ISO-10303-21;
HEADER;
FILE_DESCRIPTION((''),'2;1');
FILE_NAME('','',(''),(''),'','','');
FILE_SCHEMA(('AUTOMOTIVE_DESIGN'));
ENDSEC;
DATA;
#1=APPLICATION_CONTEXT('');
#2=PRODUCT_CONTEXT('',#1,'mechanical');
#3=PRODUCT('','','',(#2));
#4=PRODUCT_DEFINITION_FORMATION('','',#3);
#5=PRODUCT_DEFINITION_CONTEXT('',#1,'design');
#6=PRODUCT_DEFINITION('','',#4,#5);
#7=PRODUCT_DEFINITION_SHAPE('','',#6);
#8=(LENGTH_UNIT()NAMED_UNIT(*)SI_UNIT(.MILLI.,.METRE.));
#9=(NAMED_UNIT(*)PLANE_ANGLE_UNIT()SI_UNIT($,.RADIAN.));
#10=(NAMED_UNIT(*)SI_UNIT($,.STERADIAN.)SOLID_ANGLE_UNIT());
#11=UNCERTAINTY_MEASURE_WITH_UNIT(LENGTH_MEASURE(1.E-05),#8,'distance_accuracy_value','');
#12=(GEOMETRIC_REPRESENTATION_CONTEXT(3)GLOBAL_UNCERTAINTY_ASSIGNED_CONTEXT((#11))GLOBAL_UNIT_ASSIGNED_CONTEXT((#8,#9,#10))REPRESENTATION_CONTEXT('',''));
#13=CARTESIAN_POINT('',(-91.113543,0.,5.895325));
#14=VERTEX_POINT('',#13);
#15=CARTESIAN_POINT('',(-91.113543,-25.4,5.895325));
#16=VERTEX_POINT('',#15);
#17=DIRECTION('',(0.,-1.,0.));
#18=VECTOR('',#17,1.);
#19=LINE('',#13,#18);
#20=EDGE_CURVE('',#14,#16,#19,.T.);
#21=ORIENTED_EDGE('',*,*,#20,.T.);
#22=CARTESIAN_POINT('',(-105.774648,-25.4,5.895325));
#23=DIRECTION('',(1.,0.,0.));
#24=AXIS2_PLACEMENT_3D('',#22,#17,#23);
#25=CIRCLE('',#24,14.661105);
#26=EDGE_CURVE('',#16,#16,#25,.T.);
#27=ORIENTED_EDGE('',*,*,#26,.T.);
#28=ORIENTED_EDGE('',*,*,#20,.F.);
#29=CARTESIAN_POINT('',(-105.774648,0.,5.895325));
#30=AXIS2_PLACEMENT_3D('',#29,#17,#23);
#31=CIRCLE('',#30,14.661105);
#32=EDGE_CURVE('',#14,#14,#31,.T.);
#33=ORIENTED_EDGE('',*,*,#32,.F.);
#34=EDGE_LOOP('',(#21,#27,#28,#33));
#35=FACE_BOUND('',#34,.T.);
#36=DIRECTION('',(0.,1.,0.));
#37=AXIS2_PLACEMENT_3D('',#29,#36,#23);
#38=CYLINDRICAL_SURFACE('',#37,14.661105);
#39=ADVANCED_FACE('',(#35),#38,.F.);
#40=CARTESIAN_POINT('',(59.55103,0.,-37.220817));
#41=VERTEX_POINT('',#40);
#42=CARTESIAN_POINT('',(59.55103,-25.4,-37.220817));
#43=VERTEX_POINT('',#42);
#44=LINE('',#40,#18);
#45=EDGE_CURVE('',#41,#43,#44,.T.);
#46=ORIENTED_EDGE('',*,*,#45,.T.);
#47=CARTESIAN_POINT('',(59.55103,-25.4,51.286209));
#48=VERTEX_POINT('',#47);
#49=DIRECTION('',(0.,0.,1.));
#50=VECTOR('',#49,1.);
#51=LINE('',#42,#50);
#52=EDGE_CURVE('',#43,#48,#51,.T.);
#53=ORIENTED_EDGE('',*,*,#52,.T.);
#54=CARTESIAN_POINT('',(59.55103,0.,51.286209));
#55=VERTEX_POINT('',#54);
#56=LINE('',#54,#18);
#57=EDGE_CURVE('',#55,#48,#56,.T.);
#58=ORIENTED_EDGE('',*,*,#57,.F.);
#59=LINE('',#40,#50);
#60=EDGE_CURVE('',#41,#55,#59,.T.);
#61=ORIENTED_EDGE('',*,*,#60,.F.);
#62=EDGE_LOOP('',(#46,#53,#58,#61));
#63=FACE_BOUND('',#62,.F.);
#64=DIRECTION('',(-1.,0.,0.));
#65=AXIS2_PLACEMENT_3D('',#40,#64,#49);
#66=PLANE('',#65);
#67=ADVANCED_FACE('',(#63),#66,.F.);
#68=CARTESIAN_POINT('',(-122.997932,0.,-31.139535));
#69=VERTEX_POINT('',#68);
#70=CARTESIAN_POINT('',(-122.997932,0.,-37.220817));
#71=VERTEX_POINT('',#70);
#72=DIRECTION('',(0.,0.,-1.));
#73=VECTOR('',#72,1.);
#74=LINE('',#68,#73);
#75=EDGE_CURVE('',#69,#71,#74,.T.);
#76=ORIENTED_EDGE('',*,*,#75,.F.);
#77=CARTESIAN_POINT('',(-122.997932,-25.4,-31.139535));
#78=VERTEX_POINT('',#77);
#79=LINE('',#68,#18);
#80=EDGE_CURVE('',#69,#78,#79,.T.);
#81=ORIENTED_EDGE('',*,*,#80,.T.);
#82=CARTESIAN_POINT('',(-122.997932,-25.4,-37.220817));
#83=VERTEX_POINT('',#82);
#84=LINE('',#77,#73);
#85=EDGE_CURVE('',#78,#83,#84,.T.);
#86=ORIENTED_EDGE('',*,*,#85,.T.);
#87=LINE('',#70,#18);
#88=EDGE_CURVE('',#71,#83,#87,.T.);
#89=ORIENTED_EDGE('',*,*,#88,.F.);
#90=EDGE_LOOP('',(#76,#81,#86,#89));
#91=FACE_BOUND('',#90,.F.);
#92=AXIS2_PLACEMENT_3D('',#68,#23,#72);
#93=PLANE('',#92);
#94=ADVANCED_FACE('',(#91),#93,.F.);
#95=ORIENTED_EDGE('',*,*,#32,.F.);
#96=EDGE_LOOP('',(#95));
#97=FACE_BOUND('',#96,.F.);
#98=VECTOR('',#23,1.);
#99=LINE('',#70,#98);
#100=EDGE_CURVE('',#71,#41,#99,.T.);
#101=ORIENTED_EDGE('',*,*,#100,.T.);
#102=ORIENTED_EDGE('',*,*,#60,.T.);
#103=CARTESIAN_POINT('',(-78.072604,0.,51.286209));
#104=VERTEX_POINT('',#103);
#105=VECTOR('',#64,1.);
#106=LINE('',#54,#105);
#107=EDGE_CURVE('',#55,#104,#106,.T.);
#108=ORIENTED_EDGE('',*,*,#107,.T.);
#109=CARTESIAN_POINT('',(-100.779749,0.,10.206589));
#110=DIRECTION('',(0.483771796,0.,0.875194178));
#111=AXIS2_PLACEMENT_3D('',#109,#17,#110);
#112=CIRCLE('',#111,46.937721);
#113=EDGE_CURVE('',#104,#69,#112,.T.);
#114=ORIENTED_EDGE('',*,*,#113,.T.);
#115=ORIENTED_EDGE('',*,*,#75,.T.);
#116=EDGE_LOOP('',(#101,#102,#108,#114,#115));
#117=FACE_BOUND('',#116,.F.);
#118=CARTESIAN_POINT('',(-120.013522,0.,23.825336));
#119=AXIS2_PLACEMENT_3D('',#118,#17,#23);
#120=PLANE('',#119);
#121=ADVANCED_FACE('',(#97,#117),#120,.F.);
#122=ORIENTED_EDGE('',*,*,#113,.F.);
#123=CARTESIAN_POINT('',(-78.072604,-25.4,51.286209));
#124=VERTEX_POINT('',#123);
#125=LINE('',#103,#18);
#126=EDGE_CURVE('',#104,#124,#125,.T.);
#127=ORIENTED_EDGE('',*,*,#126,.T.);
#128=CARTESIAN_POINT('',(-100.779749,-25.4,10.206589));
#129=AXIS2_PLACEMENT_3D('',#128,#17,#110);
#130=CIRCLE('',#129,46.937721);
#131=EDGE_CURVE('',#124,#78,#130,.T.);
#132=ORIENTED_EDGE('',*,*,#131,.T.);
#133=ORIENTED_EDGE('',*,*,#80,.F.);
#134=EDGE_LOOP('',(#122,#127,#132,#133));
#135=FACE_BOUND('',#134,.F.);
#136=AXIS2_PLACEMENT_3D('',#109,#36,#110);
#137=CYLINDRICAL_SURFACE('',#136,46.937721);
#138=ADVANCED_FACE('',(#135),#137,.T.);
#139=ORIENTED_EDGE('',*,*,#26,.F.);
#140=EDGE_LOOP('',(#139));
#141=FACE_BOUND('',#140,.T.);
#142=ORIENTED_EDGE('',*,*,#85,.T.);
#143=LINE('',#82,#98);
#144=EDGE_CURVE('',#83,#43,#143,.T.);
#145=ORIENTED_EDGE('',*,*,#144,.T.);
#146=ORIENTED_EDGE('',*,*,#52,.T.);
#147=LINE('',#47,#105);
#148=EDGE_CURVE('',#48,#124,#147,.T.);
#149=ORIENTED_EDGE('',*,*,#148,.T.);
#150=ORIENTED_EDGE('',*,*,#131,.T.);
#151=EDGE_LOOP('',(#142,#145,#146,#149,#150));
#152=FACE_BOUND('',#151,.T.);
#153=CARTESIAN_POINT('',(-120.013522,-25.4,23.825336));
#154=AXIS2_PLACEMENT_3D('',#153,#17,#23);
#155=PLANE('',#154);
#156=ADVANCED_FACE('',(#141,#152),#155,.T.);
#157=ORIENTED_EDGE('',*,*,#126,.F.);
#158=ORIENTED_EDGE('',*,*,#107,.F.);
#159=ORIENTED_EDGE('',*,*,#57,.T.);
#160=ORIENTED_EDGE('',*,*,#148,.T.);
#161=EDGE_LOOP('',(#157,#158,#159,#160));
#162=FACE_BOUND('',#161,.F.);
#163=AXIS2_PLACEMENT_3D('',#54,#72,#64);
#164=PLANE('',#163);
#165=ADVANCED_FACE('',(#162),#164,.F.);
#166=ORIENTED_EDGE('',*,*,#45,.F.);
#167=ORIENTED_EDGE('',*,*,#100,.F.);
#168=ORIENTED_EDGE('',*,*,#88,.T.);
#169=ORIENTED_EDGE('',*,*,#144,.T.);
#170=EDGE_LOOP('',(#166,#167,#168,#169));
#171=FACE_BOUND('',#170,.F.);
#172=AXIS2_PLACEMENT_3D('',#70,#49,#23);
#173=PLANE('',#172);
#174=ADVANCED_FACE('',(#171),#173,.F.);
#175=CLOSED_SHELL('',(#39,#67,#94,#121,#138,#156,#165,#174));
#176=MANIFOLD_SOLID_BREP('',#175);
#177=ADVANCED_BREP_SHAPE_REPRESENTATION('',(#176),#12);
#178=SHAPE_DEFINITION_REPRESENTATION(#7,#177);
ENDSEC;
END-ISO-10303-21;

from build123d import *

# Parameters (mm, degrees)
F0_R     = 14.661105288
F1_DEPTH = 25.4


with BuildPart() as f1:
    # F0 (on Front) → F1 (new body)
    with BuildSketch(Plane.XZ):
        with BuildLine():
            Line((-122.9979321361, -31.1395347035), (-122.9979321361, 51.2862093747))
            Line((-122.9979321361, 51.2862093747), (-78.072603986, 51.2862093747))
            ThreePointArc((-78.072603986, 51.2862093747), (-141.9933466372, 32.6696487834), (-122.9979321361, -31.1395347035))
        make_face()
        with BuildLine():
            Line((-78.072603986, 51.2862093747), (-122.9979321361, 51.2862093747))
            Line((-122.9979321361, 51.2862093747), (-122.9979321361, -31.1395347035))
            ThreePointArc((-122.9979321361, -31.1395347035), (-76.693666618, -30.0800117713), (-53.8420287336, 10.2065894753))
            ThreePointArc((-53.8420287336, 10.2065894753), (-60.3509770341, 34.0532661208), (-78.072603986, 51.2862093747))
        make_face()
        with Locations((-105.7746484876, 5.8953254484)):
            Circle(F0_R, mode=Mode.SUBTRACT)
        with BuildLine():
            Line((59.5510303974, 51.2862093747), (-78.072603986, 51.2862093747))
            ThreePointArc((-78.072603986, 51.2862093747), (-60.3509770341, 34.0532661208), (-53.8420287336, 10.2065894753))
            ThreePointArc((-53.8420287336, 10.2065894753), (-76.693666618, -30.0800117713), (-122.9979321361, -31.1395347035))
            Line((-122.9979321361, -31.1395347035), (-122.9979321361, -37.2208170593))
            Line((-122.9979321361, -37.2208170593), (59.5510303974, -37.2208170593))
            Line((59.5510303974, -37.2208170593), (59.5510303974, 51.2862093747))
        make_face()
    extrude(amount=F1_DEPTH)


solid = f1.part
